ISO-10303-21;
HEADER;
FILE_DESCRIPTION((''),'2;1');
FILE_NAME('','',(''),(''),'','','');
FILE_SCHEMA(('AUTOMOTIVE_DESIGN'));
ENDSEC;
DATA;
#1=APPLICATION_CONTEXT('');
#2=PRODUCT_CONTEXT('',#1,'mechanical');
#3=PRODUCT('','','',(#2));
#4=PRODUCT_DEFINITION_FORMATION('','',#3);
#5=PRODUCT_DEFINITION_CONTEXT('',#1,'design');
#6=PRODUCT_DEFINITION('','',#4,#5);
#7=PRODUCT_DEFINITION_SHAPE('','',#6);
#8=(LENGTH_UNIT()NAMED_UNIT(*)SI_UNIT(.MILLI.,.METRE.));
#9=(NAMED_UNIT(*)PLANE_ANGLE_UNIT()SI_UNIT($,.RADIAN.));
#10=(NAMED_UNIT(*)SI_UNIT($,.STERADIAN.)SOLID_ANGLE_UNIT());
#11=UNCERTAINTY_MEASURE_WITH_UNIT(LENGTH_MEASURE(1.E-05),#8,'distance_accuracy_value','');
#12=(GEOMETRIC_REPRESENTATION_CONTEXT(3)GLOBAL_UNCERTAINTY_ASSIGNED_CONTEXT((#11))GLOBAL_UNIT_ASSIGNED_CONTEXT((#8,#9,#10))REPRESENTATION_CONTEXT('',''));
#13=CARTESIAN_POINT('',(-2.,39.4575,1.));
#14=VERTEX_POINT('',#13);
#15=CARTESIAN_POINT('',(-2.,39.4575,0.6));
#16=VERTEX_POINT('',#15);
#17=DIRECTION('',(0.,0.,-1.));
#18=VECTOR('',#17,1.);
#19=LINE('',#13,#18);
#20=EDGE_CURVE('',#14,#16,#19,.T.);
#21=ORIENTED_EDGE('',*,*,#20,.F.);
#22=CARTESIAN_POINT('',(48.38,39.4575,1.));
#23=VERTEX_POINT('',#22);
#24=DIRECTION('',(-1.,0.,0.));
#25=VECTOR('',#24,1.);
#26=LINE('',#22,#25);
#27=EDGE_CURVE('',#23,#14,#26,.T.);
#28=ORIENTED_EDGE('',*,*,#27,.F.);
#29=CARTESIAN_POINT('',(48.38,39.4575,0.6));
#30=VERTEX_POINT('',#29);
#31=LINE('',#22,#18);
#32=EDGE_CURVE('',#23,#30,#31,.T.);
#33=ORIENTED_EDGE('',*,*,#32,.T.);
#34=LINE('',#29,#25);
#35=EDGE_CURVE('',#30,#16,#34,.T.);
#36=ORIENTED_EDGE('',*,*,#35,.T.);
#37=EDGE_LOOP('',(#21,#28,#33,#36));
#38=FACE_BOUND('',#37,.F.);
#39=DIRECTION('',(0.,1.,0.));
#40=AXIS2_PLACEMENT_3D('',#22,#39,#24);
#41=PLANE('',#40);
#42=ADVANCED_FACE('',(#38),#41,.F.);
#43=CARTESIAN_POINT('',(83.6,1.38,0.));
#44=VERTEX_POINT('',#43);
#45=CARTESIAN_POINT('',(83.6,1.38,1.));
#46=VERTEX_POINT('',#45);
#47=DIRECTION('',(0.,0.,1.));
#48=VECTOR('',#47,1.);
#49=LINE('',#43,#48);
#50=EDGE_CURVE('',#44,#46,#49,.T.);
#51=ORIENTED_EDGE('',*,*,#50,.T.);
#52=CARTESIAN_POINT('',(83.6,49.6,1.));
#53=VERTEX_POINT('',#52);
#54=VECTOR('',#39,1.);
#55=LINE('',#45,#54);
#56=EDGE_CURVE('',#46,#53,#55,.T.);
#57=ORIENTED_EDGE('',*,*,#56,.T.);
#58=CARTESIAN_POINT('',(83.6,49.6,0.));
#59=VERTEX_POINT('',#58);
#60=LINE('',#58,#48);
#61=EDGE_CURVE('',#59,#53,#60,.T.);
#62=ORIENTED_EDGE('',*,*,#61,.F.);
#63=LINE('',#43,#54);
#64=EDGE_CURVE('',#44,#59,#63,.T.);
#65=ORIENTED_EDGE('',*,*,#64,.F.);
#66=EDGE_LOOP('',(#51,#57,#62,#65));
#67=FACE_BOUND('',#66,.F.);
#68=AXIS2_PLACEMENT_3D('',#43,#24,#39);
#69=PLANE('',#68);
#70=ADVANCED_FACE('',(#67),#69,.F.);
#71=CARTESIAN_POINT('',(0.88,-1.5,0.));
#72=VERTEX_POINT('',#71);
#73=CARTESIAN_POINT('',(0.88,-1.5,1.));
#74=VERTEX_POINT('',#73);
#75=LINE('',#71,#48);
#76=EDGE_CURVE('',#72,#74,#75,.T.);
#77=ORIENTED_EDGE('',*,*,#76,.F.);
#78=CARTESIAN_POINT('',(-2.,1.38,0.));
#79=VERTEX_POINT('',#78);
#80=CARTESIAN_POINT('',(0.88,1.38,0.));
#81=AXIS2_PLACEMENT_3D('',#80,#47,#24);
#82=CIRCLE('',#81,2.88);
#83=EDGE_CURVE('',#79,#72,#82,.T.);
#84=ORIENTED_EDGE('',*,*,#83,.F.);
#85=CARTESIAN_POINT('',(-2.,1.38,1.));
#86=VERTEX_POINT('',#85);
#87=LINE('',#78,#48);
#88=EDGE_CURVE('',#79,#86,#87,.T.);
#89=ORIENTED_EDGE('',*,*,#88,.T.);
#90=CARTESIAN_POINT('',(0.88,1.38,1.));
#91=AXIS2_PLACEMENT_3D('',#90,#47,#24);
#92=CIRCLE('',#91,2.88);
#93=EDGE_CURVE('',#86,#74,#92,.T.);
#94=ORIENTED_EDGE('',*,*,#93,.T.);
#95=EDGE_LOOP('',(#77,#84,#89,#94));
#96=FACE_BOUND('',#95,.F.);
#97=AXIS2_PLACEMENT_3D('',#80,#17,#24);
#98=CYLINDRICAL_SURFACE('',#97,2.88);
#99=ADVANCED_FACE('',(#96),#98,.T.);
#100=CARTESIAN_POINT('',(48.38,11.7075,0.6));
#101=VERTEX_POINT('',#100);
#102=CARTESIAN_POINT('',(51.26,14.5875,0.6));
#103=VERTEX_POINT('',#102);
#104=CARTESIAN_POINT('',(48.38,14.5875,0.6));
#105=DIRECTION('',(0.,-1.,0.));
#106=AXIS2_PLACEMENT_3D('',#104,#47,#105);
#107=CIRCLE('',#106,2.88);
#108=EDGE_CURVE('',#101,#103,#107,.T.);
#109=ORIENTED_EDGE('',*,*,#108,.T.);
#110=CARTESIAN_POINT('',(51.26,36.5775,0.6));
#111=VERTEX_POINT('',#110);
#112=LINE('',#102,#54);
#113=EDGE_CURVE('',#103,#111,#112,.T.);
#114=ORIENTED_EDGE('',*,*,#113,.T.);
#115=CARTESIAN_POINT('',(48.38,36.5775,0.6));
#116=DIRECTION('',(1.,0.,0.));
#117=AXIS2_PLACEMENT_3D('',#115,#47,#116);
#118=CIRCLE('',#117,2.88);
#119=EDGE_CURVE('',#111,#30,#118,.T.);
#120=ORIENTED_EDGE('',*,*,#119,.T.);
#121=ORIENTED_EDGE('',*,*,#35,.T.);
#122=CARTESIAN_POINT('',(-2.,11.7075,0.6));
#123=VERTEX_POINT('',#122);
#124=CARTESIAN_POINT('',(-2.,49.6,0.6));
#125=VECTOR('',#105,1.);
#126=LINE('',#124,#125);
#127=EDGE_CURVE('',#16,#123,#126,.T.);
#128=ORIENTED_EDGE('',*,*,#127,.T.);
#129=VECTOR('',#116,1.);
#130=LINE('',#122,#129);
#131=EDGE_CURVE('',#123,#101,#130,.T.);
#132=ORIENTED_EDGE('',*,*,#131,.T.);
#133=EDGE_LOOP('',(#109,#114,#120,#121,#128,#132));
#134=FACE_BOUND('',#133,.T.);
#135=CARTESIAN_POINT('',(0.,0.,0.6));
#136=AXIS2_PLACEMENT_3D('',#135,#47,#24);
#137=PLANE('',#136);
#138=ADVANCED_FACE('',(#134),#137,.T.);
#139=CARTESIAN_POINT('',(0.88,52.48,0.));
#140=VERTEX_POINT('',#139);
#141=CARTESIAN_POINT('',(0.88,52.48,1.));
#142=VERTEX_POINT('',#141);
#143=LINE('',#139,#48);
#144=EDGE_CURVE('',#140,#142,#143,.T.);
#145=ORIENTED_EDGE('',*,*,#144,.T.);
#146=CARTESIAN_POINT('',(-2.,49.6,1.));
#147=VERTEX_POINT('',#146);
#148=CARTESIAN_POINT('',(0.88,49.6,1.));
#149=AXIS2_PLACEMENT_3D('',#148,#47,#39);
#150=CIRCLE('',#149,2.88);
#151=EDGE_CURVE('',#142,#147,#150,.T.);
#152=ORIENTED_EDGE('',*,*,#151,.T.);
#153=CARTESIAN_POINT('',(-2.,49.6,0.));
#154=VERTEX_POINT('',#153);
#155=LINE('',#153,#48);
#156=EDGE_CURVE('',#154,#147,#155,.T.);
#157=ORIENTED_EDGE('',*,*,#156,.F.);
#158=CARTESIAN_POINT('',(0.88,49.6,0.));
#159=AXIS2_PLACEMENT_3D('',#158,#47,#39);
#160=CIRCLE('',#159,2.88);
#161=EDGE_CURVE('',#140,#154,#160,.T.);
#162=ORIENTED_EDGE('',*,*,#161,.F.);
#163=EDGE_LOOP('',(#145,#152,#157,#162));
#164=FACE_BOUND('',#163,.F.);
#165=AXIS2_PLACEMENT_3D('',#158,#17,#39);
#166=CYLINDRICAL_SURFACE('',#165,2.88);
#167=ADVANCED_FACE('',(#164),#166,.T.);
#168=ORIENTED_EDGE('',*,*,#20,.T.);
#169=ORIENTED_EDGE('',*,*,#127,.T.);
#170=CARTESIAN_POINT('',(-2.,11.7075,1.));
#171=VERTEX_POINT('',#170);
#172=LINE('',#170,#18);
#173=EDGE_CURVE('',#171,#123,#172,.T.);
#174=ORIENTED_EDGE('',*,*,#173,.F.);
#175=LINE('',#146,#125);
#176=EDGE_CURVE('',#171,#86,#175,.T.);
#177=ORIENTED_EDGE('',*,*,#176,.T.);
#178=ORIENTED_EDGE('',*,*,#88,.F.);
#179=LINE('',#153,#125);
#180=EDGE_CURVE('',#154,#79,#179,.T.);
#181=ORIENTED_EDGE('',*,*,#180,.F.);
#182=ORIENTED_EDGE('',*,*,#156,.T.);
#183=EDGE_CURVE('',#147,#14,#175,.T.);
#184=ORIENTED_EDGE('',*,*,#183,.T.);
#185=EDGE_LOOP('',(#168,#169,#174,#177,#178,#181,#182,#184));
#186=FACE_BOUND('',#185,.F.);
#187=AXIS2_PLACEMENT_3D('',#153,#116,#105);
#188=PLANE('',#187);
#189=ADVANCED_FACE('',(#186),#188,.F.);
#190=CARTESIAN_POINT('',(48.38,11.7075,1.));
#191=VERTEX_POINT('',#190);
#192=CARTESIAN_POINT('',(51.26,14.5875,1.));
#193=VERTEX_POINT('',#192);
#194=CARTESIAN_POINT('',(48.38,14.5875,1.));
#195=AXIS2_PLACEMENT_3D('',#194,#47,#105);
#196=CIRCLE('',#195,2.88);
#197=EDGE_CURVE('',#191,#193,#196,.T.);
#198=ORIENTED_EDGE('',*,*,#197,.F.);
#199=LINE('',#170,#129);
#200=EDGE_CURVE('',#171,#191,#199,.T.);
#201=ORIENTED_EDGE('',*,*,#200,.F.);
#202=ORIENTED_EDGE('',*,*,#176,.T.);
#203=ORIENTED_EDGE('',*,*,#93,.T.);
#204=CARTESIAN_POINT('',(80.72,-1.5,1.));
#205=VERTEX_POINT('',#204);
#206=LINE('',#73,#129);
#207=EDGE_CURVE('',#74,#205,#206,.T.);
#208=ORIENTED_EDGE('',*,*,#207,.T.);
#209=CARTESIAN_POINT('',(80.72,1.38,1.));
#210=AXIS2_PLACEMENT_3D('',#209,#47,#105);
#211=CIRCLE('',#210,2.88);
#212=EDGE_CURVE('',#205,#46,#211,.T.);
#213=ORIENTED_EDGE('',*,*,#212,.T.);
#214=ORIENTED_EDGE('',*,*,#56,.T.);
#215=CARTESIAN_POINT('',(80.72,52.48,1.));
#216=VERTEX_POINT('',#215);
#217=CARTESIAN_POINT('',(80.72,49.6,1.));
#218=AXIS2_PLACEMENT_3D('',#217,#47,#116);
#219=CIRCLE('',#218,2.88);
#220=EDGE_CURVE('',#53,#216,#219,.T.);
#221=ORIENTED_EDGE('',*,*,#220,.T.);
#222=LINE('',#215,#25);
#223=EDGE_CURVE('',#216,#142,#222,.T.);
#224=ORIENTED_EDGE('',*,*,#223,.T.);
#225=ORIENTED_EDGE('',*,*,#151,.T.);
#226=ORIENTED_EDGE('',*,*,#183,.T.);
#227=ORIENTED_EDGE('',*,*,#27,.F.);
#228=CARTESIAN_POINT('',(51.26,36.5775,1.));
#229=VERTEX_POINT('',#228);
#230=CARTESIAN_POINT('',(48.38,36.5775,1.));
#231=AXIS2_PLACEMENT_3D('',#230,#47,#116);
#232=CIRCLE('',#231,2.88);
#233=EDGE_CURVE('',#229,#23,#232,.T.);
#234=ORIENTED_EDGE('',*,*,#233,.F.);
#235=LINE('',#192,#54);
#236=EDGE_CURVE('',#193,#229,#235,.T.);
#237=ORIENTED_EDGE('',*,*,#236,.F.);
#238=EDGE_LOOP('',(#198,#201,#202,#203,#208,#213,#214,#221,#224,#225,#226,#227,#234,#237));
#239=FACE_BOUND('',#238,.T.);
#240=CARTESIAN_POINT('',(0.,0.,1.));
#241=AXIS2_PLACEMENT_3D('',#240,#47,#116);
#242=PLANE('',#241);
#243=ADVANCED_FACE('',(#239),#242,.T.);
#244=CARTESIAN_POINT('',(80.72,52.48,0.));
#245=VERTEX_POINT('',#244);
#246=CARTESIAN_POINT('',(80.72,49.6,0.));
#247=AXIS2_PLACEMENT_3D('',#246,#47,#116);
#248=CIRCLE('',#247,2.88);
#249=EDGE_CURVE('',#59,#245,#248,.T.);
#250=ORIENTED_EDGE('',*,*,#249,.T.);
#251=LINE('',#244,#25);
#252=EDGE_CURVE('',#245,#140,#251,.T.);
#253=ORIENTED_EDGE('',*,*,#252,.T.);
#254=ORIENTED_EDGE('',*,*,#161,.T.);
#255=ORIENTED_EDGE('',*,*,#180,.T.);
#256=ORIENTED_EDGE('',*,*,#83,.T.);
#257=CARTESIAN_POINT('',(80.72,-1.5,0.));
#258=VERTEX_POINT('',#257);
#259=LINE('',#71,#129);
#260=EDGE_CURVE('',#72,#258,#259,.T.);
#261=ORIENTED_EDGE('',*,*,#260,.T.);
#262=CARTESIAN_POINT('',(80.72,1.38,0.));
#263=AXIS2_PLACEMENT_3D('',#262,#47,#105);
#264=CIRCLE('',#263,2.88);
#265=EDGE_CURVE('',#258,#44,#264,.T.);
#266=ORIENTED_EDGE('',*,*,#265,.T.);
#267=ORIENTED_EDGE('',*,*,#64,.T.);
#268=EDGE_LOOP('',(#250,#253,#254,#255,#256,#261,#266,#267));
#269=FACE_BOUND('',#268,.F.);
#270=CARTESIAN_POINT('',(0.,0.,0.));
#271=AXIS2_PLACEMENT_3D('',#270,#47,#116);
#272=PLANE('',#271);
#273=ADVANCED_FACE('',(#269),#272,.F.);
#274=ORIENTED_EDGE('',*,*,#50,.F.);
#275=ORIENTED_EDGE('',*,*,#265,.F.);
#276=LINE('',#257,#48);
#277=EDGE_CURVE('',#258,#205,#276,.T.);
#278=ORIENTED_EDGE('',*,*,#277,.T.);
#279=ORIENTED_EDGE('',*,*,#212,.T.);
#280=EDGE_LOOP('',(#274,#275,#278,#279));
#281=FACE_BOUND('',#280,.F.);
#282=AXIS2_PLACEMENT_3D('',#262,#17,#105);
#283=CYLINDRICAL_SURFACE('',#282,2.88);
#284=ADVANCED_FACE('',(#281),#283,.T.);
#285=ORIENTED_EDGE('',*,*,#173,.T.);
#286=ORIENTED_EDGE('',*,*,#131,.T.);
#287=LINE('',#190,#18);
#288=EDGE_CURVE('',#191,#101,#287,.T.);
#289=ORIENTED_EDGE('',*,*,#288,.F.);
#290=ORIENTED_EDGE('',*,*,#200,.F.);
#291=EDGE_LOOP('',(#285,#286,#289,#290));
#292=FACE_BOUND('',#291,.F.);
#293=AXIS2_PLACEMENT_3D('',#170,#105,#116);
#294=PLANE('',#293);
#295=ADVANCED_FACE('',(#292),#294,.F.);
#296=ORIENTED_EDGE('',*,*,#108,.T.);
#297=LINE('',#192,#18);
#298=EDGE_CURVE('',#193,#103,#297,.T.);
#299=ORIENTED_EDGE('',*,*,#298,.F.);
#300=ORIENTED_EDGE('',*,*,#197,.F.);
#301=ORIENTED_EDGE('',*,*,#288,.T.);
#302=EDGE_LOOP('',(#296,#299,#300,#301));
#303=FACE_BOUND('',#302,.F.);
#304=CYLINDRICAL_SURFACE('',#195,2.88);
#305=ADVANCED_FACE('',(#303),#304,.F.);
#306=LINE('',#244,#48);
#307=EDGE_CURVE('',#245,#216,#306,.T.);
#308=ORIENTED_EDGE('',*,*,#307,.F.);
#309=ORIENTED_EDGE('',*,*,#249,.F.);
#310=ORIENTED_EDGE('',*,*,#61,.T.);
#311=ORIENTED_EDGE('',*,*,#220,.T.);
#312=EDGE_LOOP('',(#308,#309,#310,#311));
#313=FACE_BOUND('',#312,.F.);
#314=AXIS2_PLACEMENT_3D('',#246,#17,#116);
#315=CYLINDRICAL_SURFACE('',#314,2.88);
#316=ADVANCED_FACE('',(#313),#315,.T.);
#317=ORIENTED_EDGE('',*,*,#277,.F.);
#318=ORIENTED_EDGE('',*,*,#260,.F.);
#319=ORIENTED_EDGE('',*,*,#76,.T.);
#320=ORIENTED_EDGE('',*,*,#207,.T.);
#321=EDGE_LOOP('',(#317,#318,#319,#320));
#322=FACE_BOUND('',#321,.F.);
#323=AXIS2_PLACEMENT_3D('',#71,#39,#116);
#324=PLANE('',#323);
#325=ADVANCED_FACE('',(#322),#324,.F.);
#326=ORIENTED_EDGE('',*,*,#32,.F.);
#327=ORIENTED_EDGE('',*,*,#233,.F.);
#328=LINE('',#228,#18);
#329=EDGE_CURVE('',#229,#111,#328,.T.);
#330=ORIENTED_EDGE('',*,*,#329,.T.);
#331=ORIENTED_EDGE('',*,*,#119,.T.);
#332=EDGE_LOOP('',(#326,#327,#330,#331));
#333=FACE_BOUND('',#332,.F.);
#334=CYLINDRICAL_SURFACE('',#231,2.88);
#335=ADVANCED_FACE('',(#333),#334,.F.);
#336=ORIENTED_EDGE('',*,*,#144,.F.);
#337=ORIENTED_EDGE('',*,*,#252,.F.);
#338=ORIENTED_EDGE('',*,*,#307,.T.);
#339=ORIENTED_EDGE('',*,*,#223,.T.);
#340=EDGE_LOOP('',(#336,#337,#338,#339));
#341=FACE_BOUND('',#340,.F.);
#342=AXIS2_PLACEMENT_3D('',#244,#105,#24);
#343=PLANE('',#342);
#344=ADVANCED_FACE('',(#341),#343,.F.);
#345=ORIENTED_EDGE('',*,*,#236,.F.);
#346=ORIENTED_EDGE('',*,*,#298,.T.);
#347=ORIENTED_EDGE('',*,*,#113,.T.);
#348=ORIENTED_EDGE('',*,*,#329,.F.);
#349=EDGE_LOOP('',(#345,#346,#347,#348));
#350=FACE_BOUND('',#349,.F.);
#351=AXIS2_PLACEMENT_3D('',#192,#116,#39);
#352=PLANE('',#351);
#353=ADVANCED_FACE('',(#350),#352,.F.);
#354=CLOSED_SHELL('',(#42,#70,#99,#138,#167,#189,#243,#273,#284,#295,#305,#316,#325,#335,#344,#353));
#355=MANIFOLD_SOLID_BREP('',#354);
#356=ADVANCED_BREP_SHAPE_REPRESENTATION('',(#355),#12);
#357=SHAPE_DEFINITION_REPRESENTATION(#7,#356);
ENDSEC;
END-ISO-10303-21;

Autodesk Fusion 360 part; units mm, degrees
sketch "Sketch1" plane through (0, 0, 0) normal (0, 0, 1) x (1, 0, 0)
  line L0 (0.88, -1.5) -> (80.72, -1.5)
  line L1 (83.6, 1.38) -> (83.6, 49.6)
  line L2 (80.72, 52.48) -> (0.88, 52.48)
  line L3 (-2, 49.6) -> (-2, 1.38)
  arc A0 (-2, 1.38) -> (0.88, -1.5) centre (0.88, 1.38) ccw
  arc A1 (0.88, 52.48) -> (-2, 49.6) centre (0.88, 49.6) ccw
  arc A2 (80.72, -1.5) -> (83.6, 1.38) centre (80.72, 1.38) ccw
  arc A3 (83.6, 49.6) -> (80.72, 52.48) centre (80.72, 49.6) ccw
  point P0 (-2, -1.5)
  point P1 (83.6, -1.5)
  point P2 (-2, 52.48)
  dimension "d1" = 53.98
  dimension "d2" = 85.6
  dimension "d5" = 2.88
extrude "Extrude1" add sketch "Sketch1" along normal blind 1
sketch "Sketch2" plane through (0, 0, 1) normal (0, 0, 1) x (-1, 0, 0)
  arc A0 (-83.6, -49.6) -> (-80.72, -52.48) centre (-80.72, -49.6) ccw
  line L0 (-80.72, -52.48) -> (-0.88, -52.48)
  arc A1 (-0.88, -52.48) -> (2, -49.6) centre (-0.88, -49.6) ccw
  line L1 (2, -49.6) -> (2, -1.38)
  arc A2 (2, -1.38) -> (-0.88, 1.5) centre (-0.88, -1.38) ccw
  line L2 (-0.88, 1.5) -> (-80.72, 1.5)
  arc A3 (-80.72, 1.5) -> (-83.6, -1.38) centre (-80.72, -1.38) ccw
  line L3 (-83.6, -1.38) -> (-83.6, -49.6)
  line L4 (2, -11.7075) -> (-48.38, -11.7075)
  line L5 (-51.26, -14.5875) -> (-51.26, -36.5775)
  line L6 (-48.38, -39.4575) -> (2, -39.4575)
  line L7 (2, -39.4575) -> (2, -11.7075)
  arc A4 (-51.26, -36.5775) -> (-48.38, -39.4575) centre (-48.38, -36.5775) ccw
  arc A5 (-48.38, -11.7075) -> (-51.26, -14.5875) centre (-48.38, -14.5875) ccw
  point P0 (-51.26, -11.7075)
  point P1 (-51.26, -39.4575)
  dimension "d6" = 27.75
  dimension "d7" = 13.0225
  dimension "d8" = 53.26
  dimension "d11" = 2.88
  dimension "d12" = 2.88
extrude "Extrude2" cut sketch "Sketch2" against normal blind 0.4 contours L1 L4 L5 L6 L7 A4 A5
